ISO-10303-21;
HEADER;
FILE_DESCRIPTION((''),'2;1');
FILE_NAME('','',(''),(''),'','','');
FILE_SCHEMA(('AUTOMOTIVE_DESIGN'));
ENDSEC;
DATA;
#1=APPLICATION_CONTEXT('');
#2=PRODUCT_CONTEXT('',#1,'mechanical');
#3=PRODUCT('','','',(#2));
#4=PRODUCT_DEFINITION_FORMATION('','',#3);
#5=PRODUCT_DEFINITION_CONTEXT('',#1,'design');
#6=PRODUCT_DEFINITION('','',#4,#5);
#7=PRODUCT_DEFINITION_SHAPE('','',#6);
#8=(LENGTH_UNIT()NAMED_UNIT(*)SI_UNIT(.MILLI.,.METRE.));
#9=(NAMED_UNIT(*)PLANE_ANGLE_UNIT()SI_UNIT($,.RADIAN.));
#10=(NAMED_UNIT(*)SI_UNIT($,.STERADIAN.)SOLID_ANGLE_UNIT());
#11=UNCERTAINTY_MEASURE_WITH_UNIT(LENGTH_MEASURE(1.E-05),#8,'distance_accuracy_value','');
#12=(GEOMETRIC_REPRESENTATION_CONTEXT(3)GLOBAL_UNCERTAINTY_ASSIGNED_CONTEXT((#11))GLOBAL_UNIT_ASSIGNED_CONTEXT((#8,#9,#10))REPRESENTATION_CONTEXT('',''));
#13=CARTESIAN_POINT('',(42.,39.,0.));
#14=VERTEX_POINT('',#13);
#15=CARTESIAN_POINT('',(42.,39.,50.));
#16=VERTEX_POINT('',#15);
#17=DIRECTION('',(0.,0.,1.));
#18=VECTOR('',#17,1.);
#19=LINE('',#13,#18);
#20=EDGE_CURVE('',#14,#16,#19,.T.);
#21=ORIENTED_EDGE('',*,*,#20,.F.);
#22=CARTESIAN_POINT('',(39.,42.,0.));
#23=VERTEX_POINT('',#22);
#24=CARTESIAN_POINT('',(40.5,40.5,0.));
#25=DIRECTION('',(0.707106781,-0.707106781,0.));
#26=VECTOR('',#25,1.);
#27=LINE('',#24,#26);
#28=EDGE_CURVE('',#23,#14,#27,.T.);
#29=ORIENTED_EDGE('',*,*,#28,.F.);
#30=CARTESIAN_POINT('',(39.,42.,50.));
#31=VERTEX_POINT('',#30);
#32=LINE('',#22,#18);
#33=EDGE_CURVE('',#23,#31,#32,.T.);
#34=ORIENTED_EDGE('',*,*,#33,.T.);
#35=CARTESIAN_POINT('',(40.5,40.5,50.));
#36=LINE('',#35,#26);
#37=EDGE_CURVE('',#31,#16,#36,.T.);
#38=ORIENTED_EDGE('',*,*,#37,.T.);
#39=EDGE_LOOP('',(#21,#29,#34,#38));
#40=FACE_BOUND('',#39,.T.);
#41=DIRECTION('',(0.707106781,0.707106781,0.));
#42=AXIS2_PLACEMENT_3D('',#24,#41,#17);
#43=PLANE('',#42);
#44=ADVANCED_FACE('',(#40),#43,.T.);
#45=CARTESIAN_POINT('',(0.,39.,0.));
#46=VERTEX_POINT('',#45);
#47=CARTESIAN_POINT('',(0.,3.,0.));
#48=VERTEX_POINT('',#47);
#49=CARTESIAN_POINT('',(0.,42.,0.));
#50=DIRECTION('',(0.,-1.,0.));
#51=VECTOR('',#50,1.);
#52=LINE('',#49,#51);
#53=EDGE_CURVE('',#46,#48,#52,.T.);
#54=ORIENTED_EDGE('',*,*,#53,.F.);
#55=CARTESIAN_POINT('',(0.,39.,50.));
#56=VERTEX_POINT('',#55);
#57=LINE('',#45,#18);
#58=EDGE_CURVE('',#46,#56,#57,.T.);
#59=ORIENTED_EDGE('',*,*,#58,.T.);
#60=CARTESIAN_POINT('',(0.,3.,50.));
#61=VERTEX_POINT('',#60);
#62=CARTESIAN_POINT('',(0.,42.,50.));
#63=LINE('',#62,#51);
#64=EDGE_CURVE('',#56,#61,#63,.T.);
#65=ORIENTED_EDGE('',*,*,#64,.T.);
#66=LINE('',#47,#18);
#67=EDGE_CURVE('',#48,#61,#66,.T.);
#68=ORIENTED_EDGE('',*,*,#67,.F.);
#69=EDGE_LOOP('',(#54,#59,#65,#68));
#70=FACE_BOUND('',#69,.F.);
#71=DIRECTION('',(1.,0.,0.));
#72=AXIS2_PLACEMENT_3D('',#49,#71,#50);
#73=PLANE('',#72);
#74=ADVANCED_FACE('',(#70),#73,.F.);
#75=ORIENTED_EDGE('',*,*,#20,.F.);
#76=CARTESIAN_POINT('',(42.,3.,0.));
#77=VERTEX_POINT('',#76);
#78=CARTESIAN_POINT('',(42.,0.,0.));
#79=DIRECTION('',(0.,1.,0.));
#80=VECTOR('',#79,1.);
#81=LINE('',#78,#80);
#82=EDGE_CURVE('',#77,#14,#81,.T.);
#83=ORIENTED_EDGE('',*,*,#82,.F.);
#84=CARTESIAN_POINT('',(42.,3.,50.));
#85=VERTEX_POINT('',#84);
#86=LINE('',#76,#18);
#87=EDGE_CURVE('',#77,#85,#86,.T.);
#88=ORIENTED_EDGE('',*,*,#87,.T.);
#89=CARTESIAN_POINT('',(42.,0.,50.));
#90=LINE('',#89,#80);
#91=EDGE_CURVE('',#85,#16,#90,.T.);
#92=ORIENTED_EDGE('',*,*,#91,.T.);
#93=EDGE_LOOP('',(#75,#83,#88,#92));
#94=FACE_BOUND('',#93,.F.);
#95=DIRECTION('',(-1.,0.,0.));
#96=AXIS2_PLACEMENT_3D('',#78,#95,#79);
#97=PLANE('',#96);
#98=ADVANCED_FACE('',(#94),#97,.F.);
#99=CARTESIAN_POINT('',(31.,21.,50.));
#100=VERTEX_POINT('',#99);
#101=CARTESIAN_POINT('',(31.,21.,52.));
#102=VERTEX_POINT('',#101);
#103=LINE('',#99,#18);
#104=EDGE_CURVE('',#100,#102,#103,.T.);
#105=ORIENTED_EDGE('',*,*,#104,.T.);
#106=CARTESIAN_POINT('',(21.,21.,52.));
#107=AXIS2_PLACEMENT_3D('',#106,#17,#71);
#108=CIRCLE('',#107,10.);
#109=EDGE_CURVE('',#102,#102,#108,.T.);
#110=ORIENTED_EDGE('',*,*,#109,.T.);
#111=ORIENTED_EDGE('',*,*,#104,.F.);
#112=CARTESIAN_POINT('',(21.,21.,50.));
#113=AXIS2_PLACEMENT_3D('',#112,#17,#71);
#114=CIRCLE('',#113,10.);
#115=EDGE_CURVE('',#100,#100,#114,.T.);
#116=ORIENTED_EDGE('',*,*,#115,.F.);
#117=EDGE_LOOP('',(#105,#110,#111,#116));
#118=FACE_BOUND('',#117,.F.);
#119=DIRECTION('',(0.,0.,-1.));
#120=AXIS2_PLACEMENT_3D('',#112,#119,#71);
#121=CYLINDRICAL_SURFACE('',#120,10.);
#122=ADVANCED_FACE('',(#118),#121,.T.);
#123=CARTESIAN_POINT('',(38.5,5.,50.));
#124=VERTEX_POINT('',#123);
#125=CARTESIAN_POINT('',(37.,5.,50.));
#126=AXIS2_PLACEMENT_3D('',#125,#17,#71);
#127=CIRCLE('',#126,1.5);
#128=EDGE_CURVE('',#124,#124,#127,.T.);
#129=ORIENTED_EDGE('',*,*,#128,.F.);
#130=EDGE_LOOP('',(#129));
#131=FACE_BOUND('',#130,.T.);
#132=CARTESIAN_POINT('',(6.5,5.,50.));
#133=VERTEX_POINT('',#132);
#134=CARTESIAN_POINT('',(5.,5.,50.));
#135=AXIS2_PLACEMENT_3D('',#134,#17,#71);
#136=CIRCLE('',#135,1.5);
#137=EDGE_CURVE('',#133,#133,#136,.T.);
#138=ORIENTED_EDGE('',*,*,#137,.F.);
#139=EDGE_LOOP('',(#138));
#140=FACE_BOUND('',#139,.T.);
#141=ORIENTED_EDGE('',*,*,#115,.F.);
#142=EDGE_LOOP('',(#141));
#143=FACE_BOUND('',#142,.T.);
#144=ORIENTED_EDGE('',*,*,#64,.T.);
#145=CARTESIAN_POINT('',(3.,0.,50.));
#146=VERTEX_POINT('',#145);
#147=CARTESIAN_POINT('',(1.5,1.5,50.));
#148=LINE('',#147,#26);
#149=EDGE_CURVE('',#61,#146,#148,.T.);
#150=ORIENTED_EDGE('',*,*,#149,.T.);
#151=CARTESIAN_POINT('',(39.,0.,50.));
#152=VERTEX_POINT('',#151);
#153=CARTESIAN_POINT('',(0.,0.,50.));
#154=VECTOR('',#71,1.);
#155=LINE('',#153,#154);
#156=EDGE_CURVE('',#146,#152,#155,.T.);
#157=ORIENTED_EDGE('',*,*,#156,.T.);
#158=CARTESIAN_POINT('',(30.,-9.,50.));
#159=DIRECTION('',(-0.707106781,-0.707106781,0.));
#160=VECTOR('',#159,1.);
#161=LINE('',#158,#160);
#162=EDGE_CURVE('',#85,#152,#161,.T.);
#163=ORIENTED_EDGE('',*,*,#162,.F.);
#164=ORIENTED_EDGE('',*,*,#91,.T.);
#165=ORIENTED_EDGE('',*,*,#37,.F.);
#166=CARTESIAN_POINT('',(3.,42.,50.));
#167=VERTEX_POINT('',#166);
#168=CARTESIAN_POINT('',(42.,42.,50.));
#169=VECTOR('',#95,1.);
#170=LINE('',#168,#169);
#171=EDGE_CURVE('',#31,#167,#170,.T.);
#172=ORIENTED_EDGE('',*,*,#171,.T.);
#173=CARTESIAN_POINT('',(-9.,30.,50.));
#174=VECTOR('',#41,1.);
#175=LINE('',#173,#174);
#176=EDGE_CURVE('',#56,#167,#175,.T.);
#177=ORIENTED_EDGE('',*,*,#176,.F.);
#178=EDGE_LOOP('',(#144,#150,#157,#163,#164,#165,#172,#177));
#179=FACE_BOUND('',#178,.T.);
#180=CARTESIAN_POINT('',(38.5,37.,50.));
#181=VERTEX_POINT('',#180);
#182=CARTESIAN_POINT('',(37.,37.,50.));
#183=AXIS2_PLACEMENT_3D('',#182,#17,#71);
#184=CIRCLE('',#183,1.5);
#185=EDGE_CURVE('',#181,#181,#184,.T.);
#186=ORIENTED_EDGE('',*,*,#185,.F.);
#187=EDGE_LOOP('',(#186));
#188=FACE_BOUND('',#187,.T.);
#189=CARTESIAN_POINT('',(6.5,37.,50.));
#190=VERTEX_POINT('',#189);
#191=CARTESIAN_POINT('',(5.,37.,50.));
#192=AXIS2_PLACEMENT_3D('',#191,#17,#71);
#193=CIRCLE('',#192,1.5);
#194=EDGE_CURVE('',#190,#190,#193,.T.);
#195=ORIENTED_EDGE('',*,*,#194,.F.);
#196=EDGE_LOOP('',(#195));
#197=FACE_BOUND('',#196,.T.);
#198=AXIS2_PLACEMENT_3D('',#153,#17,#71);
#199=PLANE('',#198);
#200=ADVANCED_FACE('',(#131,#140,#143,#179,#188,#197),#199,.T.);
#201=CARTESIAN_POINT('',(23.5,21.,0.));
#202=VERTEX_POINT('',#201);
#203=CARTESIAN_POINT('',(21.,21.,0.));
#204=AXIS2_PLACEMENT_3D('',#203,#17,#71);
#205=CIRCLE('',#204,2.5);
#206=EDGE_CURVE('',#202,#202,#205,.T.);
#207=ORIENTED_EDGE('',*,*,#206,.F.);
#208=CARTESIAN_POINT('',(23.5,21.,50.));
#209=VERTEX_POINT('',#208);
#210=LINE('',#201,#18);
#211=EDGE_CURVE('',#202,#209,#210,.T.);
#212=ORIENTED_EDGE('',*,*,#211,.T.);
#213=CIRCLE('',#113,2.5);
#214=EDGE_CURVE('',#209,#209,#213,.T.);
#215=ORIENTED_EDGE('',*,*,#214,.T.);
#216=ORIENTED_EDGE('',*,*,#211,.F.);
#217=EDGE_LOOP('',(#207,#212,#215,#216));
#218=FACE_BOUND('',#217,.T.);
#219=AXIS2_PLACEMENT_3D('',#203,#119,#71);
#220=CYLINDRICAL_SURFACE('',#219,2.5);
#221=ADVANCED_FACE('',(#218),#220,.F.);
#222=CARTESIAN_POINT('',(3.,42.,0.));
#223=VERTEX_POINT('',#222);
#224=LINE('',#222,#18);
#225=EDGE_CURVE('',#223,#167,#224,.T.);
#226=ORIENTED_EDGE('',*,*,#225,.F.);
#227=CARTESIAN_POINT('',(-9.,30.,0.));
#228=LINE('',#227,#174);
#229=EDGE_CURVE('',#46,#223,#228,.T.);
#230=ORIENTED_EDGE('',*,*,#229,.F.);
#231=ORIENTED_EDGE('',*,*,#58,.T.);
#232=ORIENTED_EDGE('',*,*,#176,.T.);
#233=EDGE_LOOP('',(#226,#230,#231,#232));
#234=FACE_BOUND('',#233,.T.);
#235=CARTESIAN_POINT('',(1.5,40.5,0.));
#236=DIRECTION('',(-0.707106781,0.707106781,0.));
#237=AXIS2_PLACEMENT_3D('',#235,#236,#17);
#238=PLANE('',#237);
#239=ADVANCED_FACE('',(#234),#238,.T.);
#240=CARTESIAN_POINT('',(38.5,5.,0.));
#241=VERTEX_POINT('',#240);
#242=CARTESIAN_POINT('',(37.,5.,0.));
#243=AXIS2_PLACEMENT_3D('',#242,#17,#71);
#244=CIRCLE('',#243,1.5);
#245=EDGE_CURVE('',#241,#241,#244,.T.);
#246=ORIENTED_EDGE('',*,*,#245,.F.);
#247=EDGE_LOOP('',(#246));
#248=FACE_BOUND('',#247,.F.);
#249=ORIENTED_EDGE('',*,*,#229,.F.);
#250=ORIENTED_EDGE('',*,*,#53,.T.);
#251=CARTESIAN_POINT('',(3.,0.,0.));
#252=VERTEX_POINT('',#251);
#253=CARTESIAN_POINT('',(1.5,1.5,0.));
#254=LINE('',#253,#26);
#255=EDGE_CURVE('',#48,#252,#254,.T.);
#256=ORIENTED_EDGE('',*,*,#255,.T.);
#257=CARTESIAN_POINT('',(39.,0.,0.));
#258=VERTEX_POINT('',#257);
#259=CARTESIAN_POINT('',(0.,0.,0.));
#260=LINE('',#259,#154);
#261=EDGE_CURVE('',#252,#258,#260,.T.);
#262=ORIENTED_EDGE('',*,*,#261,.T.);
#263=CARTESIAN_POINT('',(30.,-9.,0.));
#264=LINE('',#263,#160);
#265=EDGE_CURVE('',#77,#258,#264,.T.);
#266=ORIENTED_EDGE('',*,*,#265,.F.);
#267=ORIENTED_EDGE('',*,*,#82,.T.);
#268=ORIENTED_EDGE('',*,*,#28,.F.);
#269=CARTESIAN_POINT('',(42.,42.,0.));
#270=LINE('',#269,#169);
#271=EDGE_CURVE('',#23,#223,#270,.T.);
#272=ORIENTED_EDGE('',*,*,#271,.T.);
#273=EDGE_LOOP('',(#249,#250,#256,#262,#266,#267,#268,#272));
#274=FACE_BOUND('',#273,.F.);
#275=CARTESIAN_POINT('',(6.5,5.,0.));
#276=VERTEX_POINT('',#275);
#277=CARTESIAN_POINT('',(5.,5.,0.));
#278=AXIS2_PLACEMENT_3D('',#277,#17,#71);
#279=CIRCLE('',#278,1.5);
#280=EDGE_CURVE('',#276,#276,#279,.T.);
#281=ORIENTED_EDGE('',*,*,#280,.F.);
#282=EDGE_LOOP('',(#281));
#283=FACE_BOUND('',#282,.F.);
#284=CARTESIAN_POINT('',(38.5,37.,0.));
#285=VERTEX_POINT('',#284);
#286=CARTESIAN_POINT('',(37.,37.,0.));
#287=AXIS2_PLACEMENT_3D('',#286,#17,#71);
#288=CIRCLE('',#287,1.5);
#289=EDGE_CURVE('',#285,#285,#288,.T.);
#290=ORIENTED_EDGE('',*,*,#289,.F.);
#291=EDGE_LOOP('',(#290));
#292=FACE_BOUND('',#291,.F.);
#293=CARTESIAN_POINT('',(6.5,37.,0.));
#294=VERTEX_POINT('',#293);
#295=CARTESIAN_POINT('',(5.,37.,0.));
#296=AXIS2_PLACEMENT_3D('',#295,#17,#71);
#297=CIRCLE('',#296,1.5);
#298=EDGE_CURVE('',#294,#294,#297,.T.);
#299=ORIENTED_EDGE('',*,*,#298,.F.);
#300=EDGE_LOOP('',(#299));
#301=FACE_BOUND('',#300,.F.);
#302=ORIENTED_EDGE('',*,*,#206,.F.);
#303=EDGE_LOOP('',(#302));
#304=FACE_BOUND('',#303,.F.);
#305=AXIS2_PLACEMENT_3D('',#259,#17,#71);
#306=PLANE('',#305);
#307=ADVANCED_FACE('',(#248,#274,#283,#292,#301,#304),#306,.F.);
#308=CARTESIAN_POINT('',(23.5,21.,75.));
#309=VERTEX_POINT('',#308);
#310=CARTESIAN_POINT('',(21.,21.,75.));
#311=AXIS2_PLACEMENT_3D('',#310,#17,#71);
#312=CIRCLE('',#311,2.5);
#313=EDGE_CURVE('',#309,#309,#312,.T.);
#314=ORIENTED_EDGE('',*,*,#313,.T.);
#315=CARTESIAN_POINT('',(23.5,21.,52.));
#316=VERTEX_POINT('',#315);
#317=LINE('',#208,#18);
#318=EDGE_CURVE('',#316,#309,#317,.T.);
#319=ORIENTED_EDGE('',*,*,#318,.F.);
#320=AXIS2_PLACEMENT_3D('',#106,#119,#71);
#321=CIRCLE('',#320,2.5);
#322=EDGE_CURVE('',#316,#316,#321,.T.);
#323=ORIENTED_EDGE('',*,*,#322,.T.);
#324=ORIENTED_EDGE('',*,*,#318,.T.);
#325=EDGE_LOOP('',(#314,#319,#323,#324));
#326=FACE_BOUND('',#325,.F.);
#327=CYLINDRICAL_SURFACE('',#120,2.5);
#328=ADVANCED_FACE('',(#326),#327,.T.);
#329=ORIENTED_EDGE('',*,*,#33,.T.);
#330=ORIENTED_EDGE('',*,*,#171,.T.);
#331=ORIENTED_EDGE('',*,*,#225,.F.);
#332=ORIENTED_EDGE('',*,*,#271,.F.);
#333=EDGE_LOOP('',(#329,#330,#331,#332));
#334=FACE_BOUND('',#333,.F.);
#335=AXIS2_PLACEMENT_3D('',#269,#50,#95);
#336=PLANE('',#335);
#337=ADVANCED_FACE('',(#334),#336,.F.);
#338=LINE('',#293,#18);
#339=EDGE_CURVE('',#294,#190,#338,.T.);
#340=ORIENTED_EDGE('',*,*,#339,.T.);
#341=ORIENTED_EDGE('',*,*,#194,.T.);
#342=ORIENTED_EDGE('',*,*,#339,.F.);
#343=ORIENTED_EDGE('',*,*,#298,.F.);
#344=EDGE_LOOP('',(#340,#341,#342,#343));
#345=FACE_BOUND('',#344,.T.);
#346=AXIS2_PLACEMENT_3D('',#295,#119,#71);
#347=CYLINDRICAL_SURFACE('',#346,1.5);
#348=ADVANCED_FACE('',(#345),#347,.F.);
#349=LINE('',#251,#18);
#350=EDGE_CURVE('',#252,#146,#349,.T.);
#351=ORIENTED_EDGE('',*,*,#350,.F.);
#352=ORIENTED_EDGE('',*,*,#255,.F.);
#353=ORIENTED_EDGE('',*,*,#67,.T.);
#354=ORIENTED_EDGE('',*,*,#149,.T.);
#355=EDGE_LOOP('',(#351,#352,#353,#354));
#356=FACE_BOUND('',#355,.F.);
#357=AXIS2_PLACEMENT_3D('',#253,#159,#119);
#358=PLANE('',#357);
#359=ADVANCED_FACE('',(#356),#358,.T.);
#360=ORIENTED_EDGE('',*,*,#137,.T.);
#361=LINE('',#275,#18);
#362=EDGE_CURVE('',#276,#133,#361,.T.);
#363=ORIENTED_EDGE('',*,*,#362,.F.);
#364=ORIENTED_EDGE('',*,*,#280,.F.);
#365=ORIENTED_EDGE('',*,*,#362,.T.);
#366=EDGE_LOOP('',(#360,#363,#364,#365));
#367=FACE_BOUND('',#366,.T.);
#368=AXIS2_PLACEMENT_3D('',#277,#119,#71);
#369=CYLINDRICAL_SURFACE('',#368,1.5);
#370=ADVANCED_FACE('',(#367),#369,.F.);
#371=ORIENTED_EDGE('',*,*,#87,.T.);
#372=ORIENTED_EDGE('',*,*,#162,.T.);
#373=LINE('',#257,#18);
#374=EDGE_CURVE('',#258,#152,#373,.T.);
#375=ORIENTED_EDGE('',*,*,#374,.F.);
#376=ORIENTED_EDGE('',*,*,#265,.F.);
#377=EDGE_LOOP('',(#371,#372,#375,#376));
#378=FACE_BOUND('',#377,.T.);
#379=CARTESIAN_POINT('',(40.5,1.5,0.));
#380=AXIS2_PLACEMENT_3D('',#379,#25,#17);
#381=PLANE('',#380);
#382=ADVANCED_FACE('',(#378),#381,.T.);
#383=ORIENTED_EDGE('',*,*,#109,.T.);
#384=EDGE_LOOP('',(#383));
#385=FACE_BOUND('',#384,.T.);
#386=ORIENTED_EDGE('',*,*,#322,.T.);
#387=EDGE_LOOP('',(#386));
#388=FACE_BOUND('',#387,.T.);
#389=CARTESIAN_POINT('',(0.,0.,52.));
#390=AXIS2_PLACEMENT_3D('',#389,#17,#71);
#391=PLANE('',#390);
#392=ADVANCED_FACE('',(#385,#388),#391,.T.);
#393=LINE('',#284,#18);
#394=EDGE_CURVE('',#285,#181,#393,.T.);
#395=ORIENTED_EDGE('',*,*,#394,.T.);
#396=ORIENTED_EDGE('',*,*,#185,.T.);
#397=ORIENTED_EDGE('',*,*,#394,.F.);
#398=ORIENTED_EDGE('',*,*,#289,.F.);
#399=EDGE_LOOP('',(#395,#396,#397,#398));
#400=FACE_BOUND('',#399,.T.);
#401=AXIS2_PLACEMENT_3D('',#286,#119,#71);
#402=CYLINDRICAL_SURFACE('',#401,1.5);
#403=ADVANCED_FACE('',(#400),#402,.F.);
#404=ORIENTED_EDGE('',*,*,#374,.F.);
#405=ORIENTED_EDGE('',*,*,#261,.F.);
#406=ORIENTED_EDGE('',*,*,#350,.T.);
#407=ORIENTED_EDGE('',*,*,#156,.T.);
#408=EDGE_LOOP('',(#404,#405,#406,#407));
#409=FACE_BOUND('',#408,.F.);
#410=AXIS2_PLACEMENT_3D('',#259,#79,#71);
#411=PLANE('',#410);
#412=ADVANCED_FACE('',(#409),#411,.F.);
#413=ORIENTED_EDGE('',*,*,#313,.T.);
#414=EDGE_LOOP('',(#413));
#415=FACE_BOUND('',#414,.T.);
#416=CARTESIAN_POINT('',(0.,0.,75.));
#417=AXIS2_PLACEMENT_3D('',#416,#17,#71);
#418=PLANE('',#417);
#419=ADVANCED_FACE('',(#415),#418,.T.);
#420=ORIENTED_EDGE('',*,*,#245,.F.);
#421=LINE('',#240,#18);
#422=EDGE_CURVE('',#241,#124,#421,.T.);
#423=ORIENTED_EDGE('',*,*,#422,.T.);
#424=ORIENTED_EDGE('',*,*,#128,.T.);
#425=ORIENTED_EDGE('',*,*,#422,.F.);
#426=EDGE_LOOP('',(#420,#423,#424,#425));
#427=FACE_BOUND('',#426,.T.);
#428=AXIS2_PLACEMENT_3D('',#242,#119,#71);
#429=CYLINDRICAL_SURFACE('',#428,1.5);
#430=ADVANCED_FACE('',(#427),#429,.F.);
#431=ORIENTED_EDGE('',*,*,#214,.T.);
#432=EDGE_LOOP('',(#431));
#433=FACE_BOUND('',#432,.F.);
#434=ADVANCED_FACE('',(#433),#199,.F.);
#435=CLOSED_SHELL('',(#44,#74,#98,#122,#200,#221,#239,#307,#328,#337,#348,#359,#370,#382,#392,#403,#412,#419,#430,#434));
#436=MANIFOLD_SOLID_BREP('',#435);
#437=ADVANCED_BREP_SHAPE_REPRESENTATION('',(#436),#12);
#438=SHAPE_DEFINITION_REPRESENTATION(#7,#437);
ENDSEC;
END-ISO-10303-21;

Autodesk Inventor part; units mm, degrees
ref_plane "YZ Plane" through (0, 0, 0) normal (1, 0, 0) x (0, 1, 0)
ref_plane "XZ Plane" through (0, 0, 0) normal (0, 1, 0) x (-1, 0, 0)
ref_plane "XY Plane" through (0, 0, 0) normal (0, 0, 1) x (1, 0, 0)
sketch "Sketch1" plane through (0, 0, 0) normal (0, 0, 1) x (1, 0, 0)
  line L0 (0, 0) -> (42, 0)
  line L1 (42, 0) -> (42, 42)
  line L2 (42, 42) -> (0, 42)
  line L3 (0, 42) -> (0, 0)
  line L4 (5, 37) -> (37, 37) construction
  line L5 (37, 37) -> (37, 5) construction
  line L6 (37, 5) -> (5, 5) construction
  line L7 (5, 5) -> (5, 37) construction
  circle A0 centre (5, 37) radius 1.5
  circle A1 centre (37, 37) radius 1.5
  circle A2 centre (37, 5) radius 1.5
  circle A3 centre (5, 5) radius 1.5
  circle A4 centre (21, 21) radius 2.5
  point P0 (21, 42)
  point P1 (42, 21)
  dimension "d0" = 42
  dimension "d1" = 42
  dimension "d2" = 32
  dimension "d3" = 3
  dimension "d4" = 3
  dimension "d5" = 3
  dimension "d6" = 3
  dimension "d9" = 5
extrude "Extrusion1" add sketch "Sketch1" along normal blind 50
chamfer "Chamfer1" distance 3 angle 45 4 edges at (42, 42, 25) (42, 0, 25) (0, 0, 25) (0, 42, 25)
sketch "Sketch2" plane through (0, 0, 50) normal (0, 0, 1) x (1, 0, 0)
  circle A0 centre (21, 21) radius 2.5 construction
  circle A1 centre (21, 21) radius 10
  point P0 (0, 0)
  dimension "d13" = 20
sketch "Sketch3" plane through (0, 0, 50) normal (0, 0, 1) x (1, 0, 0)
  circle A0 centre (21, 21) radius 2.5 projected
  point P0 (0, 0)
extrude "Extrusion2" add sketch "Sketch3" along normal blind 25
extrude "Extrusion3" add sketch "Sketch2" along normal blind 2
properties part number "NEMA42"
